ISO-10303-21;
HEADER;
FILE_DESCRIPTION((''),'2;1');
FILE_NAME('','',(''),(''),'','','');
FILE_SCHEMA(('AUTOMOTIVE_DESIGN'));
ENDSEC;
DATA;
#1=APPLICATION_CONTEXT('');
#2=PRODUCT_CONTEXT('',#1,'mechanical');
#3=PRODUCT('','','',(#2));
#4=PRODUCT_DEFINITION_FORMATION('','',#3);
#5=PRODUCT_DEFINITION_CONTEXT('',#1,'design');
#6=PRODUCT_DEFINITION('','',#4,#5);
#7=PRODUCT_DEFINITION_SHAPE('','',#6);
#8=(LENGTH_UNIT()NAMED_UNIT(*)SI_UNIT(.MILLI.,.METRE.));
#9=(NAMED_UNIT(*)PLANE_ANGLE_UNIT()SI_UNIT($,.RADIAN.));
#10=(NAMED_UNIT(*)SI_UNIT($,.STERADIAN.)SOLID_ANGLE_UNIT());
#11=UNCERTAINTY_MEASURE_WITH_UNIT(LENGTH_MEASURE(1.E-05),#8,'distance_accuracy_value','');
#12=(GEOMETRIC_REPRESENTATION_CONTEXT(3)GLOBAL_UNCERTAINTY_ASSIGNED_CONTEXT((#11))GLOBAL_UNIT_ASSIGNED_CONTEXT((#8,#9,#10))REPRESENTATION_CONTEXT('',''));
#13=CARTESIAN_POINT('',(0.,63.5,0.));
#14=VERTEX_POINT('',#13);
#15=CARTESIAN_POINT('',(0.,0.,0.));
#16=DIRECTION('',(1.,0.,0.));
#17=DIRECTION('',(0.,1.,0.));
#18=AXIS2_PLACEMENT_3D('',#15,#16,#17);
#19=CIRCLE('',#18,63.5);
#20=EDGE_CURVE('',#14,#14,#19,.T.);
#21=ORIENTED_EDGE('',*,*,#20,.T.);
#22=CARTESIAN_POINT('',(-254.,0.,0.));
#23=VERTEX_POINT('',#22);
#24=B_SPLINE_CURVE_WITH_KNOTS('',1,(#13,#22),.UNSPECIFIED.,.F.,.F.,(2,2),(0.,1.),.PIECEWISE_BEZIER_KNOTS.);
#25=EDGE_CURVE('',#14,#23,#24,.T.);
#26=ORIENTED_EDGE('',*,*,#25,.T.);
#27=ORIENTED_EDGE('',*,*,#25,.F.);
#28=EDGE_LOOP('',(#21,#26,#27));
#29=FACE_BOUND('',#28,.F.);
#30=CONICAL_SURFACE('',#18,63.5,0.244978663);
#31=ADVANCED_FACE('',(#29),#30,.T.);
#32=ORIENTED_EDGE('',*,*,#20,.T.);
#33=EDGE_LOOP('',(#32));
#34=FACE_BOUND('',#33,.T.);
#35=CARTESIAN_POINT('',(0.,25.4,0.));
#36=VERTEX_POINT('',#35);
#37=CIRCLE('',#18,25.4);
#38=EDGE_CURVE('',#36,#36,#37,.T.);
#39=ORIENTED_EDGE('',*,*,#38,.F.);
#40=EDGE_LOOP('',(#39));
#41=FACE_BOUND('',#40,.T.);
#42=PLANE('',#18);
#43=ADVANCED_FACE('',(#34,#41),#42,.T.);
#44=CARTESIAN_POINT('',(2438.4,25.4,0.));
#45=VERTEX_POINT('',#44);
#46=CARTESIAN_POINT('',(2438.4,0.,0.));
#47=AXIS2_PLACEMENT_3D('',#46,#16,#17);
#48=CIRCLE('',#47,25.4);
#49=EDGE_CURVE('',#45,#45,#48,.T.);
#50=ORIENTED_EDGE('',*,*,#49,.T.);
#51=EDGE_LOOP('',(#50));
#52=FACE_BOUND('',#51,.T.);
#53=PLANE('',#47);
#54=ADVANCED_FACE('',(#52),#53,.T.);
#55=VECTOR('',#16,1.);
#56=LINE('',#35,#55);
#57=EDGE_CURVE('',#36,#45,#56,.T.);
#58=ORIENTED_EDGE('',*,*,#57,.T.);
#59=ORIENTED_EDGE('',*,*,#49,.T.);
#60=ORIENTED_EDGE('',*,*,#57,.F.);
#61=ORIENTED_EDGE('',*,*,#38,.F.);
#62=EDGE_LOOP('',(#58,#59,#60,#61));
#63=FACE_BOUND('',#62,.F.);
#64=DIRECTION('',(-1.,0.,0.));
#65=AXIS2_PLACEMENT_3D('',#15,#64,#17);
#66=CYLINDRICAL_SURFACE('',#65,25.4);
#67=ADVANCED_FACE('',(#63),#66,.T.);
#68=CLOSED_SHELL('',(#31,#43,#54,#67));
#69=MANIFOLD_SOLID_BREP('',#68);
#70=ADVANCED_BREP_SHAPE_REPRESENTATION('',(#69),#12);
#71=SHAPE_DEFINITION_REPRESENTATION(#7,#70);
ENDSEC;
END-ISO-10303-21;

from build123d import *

# Parameters (mm, degrees)
F0_R     = 25.4
F1_DEPTH = 2438.4
F2_R     = 63.5


with BuildPart() as f1:
    # F0 (on Right) → F1 (new body)
    with BuildSketch(Plane.YZ):
        Circle(F0_R)
    extrude(amount=F1_DEPTH)

    # F2 (on Right) → F5 section 0
    with BuildSketch(Plane.YZ, mode=Mode.PRIVATE) as f5_s0:
        Circle(F2_R)
    loft([f5_s0.sketch, Vertex(-254, 0, 0)])


solid = f1.part
